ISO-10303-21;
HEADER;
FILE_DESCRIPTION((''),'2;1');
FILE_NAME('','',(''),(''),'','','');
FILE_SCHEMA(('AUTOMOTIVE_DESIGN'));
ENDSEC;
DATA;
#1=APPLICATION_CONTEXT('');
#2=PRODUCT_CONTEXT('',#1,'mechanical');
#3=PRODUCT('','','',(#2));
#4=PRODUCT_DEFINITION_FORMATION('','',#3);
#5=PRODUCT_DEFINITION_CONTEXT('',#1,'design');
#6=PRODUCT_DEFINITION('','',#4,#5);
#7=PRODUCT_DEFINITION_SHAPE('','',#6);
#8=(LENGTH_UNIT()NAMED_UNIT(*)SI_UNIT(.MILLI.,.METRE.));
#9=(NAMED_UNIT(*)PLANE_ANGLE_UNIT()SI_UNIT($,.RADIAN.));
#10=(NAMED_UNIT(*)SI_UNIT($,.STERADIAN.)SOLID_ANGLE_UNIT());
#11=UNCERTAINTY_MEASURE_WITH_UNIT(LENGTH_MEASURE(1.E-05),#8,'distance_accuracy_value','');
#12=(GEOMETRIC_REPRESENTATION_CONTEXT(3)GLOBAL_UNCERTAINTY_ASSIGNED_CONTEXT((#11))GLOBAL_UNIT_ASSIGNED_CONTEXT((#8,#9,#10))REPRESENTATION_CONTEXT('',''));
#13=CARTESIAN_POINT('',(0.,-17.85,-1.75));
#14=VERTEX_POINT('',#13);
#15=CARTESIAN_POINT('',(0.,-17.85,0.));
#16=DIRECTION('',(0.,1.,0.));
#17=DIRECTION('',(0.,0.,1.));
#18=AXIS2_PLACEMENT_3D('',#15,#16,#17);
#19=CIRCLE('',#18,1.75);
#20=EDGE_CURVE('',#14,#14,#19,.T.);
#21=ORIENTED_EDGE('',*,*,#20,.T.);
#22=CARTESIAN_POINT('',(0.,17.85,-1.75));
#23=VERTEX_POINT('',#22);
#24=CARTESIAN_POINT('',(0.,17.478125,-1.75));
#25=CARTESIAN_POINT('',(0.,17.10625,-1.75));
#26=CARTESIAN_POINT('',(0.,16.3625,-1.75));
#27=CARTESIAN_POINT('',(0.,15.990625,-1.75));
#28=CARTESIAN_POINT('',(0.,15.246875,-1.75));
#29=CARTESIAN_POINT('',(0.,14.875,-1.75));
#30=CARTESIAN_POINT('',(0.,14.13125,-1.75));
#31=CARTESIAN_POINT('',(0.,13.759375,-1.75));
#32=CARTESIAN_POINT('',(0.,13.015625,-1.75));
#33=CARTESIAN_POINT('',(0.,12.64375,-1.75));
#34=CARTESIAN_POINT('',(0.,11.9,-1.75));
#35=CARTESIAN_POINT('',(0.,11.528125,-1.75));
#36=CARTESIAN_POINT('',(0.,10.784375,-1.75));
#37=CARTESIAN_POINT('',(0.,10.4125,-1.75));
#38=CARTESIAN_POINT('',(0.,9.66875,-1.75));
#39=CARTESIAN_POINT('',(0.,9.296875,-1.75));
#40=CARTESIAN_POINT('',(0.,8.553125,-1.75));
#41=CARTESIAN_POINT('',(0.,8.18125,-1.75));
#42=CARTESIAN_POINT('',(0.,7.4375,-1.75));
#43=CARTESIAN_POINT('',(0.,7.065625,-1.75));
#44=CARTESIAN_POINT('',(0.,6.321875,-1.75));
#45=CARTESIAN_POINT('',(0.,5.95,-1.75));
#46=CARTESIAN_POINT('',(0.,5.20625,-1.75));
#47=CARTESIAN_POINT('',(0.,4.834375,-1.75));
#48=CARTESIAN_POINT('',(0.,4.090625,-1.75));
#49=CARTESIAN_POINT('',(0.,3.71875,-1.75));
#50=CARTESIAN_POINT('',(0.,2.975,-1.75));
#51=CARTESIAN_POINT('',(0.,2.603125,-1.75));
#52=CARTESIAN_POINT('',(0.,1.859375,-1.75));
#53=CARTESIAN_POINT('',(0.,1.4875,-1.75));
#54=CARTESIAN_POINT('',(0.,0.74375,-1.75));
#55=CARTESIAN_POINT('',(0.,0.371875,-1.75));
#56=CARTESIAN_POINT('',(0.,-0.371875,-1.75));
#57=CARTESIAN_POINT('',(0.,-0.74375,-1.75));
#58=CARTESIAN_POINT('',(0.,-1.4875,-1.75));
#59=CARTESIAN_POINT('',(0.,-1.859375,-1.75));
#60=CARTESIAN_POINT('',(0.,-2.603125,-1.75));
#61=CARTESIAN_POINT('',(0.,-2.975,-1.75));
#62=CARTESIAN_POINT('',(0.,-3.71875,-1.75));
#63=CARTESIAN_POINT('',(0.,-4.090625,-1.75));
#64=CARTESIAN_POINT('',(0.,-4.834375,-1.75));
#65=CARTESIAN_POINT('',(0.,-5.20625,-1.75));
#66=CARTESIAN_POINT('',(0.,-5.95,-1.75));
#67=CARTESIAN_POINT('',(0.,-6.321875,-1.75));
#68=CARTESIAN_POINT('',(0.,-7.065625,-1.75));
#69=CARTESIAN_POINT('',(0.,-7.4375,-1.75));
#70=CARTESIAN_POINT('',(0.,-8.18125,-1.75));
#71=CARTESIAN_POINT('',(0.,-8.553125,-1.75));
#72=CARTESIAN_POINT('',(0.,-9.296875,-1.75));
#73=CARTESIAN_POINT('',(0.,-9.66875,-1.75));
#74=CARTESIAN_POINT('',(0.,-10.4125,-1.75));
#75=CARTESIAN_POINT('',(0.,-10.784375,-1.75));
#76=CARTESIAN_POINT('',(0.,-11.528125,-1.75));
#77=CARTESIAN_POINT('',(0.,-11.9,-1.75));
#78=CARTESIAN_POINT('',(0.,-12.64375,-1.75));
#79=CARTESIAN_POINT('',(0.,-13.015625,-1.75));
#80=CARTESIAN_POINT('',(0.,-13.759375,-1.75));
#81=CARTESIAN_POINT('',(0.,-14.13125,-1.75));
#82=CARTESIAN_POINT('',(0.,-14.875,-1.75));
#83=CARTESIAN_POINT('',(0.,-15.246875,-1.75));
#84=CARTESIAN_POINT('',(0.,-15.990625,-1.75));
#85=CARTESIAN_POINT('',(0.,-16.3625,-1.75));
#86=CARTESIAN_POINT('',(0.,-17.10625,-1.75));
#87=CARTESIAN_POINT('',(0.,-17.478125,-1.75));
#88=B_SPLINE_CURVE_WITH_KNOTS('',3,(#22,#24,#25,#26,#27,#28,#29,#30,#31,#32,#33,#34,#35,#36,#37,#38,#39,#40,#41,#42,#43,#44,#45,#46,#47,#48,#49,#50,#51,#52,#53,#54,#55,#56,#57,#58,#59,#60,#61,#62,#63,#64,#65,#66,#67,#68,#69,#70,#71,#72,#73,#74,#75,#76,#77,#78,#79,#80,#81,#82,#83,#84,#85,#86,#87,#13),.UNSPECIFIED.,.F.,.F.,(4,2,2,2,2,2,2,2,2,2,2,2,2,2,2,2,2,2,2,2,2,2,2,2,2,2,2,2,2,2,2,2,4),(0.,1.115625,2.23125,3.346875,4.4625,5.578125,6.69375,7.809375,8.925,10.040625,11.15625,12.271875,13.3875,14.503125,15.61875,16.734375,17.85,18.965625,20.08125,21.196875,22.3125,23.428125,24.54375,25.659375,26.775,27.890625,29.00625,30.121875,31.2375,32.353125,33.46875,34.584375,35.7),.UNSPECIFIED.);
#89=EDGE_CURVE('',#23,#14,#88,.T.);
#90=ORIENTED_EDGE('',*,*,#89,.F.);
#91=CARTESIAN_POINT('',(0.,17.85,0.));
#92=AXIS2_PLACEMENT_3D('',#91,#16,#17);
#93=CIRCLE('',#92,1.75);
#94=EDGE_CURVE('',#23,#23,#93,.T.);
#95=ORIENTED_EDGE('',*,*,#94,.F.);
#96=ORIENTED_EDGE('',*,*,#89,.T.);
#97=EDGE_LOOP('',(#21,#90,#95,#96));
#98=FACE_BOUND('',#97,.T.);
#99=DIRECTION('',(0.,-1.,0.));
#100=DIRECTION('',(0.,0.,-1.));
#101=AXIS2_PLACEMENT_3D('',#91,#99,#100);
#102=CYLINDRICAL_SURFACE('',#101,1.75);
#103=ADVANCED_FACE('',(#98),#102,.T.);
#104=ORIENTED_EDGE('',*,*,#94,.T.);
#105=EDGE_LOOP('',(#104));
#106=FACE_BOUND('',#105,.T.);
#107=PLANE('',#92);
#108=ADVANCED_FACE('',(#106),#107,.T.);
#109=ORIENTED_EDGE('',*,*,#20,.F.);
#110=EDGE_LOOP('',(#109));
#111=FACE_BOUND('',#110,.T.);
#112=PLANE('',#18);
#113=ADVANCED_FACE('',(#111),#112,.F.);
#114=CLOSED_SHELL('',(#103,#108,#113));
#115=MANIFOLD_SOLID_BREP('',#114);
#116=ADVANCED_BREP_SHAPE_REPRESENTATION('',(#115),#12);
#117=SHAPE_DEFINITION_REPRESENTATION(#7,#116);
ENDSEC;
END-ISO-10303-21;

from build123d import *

# Parameters (mm, degrees)
SKETCH_1_R      = 1.75
EXTRUDE_1_DEPTH = 17.85


with BuildPart() as part:
    # 草图1 → 凸台-拉伸1 (new, symmetric)
    with BuildSketch(Plane(origin=(0, 0, 0), x_dir=(1, 0, 0), z_dir=(0, 1, 0))):
        with Locations(Location((0, 0, 0), (0, 0, 90))):
            Circle(SKETCH_1_R)
    extrude(amount=EXTRUDE_1_DEPTH, both=True)


solid = part.part
